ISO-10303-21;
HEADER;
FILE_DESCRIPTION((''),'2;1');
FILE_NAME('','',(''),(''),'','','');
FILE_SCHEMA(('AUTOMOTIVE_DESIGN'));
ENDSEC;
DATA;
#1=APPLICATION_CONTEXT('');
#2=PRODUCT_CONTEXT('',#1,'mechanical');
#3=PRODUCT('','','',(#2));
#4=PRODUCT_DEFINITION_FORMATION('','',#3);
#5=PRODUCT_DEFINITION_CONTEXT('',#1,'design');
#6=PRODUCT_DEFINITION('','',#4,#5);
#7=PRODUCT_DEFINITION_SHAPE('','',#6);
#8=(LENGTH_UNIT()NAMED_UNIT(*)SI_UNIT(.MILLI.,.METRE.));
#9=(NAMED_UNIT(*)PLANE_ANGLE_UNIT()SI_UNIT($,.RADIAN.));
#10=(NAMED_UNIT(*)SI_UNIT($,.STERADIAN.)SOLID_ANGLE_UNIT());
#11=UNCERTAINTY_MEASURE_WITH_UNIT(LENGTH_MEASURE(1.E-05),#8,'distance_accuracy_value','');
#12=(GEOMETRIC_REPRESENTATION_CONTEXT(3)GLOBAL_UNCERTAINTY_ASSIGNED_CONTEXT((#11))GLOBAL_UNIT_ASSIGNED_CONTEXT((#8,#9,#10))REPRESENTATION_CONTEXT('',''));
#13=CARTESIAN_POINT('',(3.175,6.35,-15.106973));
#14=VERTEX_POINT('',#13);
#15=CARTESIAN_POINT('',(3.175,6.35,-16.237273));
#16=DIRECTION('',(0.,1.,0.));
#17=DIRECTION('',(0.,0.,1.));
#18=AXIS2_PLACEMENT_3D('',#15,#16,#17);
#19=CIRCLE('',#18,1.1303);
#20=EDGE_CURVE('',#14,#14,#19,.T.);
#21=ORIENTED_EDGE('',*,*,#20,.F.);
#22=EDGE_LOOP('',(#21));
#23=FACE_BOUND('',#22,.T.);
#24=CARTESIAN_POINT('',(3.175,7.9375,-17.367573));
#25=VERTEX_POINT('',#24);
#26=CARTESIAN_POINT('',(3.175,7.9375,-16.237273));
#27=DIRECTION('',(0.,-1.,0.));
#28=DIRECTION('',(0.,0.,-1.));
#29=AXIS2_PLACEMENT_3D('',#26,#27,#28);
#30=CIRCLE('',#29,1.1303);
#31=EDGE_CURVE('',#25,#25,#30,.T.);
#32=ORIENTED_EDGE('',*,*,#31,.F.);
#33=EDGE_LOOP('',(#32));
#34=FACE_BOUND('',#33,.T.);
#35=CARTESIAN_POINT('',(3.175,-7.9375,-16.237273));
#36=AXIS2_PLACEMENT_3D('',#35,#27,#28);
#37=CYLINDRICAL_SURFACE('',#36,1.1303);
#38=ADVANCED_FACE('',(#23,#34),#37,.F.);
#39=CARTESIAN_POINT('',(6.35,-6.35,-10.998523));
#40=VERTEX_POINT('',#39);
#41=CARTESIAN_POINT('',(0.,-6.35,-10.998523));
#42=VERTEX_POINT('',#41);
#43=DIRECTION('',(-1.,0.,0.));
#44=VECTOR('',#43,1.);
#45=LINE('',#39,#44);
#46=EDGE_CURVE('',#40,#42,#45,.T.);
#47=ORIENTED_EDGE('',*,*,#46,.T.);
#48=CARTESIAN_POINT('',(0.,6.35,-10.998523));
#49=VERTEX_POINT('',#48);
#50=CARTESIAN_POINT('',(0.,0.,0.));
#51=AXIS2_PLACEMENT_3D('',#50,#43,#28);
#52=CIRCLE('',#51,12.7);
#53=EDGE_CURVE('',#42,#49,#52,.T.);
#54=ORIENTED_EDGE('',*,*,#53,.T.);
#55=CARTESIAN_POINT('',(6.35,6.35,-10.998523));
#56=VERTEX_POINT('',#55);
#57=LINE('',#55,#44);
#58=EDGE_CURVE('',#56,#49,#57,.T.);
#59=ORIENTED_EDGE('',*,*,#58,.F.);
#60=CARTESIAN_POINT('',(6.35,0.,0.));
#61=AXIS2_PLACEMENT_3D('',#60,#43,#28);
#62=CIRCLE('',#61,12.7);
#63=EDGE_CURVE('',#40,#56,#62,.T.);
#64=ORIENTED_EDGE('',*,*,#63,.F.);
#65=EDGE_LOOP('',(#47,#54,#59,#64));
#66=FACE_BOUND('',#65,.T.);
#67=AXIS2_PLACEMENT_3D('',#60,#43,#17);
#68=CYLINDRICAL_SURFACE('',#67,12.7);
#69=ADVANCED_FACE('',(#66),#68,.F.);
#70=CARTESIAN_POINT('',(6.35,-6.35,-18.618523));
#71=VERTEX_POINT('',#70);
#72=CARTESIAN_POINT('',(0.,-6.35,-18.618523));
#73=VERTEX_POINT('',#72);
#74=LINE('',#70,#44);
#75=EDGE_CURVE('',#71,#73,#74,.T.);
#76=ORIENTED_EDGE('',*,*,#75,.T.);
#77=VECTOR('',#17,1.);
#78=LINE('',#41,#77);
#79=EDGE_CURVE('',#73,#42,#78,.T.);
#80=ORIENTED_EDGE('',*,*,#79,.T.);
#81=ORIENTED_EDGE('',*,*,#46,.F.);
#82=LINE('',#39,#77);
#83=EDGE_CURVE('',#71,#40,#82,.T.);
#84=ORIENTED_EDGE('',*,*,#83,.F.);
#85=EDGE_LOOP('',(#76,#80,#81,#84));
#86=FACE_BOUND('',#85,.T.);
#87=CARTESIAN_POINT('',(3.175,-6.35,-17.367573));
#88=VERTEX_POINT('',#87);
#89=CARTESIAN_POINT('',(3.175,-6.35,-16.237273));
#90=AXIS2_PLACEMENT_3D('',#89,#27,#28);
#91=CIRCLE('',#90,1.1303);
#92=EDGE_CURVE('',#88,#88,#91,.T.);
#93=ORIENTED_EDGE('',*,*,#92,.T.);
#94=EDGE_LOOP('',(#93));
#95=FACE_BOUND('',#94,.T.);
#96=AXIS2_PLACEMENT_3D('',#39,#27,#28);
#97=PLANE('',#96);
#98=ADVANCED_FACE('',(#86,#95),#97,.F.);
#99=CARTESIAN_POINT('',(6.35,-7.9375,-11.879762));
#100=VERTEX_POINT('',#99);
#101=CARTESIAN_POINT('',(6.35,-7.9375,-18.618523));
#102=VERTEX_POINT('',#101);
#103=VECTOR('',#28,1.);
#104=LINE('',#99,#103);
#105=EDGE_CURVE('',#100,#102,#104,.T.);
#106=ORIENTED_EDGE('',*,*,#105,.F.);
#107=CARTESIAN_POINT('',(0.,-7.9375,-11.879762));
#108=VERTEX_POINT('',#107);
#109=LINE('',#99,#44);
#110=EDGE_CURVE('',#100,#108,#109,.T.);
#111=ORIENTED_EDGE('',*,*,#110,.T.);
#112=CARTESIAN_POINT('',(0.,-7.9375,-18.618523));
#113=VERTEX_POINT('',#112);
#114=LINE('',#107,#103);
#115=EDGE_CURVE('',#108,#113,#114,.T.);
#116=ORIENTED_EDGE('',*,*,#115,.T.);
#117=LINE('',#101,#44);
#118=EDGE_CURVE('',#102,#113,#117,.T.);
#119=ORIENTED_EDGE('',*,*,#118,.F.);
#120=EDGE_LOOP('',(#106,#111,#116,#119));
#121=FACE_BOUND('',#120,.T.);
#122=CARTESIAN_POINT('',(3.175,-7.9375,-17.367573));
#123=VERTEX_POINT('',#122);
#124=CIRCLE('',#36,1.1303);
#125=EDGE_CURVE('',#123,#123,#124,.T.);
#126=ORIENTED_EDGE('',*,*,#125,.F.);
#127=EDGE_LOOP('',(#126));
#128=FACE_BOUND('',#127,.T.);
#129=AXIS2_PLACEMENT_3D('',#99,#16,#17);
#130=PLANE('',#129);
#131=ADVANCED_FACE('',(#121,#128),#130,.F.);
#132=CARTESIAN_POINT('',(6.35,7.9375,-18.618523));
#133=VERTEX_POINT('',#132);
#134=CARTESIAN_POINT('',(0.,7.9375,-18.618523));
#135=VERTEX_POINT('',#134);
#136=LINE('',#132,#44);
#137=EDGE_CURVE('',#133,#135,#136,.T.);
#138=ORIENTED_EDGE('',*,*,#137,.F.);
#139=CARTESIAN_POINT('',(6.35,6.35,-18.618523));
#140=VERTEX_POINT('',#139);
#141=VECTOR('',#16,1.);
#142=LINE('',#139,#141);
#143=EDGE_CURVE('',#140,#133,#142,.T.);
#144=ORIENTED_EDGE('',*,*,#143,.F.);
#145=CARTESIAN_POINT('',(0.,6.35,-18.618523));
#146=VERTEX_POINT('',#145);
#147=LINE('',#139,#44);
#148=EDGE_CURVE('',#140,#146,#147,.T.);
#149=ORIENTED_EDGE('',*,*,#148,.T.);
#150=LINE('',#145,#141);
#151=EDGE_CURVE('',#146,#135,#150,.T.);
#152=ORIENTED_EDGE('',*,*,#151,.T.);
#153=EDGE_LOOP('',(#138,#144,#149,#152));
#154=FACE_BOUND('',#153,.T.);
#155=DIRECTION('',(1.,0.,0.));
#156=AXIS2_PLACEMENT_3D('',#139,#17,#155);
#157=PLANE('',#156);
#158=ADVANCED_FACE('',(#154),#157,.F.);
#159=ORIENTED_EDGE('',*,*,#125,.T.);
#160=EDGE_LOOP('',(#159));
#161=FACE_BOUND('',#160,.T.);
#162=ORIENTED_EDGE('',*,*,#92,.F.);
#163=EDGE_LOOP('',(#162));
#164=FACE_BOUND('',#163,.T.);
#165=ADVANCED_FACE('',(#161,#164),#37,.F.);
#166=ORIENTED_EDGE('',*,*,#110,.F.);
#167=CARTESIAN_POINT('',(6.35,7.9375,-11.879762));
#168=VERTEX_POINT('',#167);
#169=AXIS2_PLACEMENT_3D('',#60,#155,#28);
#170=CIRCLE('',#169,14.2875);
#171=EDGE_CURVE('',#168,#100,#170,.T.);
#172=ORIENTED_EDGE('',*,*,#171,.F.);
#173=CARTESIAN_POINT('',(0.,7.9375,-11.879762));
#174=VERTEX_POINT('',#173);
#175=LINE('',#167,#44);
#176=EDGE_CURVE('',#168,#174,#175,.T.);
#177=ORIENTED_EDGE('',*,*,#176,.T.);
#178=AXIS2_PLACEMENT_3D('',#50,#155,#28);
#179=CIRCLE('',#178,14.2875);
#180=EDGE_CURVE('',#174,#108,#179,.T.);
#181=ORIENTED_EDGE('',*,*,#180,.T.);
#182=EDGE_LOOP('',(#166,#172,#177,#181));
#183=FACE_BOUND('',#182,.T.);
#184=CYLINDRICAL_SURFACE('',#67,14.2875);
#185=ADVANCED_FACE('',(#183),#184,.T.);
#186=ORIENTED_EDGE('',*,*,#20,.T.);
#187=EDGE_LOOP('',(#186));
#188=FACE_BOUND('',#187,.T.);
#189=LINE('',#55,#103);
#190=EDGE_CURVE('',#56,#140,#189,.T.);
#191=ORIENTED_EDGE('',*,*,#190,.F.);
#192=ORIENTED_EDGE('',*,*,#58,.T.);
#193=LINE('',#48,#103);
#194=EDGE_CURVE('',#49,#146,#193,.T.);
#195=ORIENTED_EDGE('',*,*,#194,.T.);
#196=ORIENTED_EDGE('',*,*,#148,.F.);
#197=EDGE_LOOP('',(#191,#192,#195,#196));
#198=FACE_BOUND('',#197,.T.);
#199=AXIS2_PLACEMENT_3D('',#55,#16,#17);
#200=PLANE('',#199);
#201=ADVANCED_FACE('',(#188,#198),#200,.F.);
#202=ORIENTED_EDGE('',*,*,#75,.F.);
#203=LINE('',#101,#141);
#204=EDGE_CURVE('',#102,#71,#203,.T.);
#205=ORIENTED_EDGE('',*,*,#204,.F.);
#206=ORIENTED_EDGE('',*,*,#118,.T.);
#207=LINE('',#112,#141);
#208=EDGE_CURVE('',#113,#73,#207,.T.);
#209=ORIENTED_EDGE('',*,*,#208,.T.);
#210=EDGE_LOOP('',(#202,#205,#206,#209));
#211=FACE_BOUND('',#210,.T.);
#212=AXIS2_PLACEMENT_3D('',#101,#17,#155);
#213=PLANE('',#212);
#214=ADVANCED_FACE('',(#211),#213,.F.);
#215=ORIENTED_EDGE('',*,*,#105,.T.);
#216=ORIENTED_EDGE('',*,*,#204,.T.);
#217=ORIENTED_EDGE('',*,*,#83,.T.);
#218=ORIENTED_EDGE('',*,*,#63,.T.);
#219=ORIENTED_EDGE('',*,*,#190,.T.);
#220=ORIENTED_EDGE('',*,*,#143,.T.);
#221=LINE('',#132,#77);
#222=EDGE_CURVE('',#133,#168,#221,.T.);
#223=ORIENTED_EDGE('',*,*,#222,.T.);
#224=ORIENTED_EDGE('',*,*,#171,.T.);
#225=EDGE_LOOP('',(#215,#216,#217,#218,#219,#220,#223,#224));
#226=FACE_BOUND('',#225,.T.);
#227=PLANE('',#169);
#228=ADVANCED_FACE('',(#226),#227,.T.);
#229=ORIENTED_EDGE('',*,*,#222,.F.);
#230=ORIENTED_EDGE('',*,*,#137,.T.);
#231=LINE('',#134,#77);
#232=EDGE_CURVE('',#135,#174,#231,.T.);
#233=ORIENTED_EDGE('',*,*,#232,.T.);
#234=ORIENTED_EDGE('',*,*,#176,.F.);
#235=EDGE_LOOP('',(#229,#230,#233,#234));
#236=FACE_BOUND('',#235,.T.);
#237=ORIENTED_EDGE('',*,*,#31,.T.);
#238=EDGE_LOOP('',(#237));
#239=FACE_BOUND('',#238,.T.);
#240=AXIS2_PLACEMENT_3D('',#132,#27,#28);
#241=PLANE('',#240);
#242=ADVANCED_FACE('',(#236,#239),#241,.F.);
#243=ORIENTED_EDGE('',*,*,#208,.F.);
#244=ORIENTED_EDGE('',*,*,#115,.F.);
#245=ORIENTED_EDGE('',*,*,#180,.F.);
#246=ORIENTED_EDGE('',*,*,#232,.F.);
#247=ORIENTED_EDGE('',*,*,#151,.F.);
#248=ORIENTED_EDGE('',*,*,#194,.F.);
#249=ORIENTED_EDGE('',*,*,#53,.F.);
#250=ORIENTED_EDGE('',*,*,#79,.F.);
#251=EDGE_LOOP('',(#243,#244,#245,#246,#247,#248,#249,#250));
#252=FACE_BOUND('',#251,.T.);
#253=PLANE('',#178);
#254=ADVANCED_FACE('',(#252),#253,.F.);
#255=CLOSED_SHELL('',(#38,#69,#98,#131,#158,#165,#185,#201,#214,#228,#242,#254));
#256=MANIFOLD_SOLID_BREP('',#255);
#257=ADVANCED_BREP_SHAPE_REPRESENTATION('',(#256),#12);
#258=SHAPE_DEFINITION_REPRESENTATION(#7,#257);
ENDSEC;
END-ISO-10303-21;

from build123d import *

# Parameters (mm, degrees)
BOSS_EXTRUDE1_DEPTH       = 6.35
TAP_DRILL_FOR_4_40_TAP1_D = 2.2606


with BuildPart() as part:
    # Sketch2 → Boss-Extrude1 (new body)
    with BuildSketch(Plane.YZ):
        with BuildLine():
            Line((-6.35, -10.998522628), (-6.35, -18.618522628))
            Line((-6.35, -18.618522628), (-7.9375, -18.618522628))
            Line((-7.9375, -18.618522628), (-7.9375, -11.879762203))
            ThreePointArc((-7.9375, -11.879762203), (0, 14.2875), (7.9375, -11.879762203))
            Line((7.9375, -11.879762203), (7.9375, -18.618522628))
            Line((7.9375, -18.618522628), (6.35, -18.618522628))
            Line((6.35, -18.618522628), (6.35, -10.998522628))
            ThreePointArc((6.35, -10.998522628), (0, 12.7), (-6.35, -10.998522628))
        make_face()
    extrude(amount=BOSS_EXTRUDE1_DEPTH)

    # Tap Drill for #4-40 Tap1 (through all)
    with Locations(Plane.XZ.offset(7.9375)):
        with Locations((3.175, -16.237272628)):
            Hole(TAP_DRILL_FOR_4_40_TAP1_D / 2)


solid = part.part
